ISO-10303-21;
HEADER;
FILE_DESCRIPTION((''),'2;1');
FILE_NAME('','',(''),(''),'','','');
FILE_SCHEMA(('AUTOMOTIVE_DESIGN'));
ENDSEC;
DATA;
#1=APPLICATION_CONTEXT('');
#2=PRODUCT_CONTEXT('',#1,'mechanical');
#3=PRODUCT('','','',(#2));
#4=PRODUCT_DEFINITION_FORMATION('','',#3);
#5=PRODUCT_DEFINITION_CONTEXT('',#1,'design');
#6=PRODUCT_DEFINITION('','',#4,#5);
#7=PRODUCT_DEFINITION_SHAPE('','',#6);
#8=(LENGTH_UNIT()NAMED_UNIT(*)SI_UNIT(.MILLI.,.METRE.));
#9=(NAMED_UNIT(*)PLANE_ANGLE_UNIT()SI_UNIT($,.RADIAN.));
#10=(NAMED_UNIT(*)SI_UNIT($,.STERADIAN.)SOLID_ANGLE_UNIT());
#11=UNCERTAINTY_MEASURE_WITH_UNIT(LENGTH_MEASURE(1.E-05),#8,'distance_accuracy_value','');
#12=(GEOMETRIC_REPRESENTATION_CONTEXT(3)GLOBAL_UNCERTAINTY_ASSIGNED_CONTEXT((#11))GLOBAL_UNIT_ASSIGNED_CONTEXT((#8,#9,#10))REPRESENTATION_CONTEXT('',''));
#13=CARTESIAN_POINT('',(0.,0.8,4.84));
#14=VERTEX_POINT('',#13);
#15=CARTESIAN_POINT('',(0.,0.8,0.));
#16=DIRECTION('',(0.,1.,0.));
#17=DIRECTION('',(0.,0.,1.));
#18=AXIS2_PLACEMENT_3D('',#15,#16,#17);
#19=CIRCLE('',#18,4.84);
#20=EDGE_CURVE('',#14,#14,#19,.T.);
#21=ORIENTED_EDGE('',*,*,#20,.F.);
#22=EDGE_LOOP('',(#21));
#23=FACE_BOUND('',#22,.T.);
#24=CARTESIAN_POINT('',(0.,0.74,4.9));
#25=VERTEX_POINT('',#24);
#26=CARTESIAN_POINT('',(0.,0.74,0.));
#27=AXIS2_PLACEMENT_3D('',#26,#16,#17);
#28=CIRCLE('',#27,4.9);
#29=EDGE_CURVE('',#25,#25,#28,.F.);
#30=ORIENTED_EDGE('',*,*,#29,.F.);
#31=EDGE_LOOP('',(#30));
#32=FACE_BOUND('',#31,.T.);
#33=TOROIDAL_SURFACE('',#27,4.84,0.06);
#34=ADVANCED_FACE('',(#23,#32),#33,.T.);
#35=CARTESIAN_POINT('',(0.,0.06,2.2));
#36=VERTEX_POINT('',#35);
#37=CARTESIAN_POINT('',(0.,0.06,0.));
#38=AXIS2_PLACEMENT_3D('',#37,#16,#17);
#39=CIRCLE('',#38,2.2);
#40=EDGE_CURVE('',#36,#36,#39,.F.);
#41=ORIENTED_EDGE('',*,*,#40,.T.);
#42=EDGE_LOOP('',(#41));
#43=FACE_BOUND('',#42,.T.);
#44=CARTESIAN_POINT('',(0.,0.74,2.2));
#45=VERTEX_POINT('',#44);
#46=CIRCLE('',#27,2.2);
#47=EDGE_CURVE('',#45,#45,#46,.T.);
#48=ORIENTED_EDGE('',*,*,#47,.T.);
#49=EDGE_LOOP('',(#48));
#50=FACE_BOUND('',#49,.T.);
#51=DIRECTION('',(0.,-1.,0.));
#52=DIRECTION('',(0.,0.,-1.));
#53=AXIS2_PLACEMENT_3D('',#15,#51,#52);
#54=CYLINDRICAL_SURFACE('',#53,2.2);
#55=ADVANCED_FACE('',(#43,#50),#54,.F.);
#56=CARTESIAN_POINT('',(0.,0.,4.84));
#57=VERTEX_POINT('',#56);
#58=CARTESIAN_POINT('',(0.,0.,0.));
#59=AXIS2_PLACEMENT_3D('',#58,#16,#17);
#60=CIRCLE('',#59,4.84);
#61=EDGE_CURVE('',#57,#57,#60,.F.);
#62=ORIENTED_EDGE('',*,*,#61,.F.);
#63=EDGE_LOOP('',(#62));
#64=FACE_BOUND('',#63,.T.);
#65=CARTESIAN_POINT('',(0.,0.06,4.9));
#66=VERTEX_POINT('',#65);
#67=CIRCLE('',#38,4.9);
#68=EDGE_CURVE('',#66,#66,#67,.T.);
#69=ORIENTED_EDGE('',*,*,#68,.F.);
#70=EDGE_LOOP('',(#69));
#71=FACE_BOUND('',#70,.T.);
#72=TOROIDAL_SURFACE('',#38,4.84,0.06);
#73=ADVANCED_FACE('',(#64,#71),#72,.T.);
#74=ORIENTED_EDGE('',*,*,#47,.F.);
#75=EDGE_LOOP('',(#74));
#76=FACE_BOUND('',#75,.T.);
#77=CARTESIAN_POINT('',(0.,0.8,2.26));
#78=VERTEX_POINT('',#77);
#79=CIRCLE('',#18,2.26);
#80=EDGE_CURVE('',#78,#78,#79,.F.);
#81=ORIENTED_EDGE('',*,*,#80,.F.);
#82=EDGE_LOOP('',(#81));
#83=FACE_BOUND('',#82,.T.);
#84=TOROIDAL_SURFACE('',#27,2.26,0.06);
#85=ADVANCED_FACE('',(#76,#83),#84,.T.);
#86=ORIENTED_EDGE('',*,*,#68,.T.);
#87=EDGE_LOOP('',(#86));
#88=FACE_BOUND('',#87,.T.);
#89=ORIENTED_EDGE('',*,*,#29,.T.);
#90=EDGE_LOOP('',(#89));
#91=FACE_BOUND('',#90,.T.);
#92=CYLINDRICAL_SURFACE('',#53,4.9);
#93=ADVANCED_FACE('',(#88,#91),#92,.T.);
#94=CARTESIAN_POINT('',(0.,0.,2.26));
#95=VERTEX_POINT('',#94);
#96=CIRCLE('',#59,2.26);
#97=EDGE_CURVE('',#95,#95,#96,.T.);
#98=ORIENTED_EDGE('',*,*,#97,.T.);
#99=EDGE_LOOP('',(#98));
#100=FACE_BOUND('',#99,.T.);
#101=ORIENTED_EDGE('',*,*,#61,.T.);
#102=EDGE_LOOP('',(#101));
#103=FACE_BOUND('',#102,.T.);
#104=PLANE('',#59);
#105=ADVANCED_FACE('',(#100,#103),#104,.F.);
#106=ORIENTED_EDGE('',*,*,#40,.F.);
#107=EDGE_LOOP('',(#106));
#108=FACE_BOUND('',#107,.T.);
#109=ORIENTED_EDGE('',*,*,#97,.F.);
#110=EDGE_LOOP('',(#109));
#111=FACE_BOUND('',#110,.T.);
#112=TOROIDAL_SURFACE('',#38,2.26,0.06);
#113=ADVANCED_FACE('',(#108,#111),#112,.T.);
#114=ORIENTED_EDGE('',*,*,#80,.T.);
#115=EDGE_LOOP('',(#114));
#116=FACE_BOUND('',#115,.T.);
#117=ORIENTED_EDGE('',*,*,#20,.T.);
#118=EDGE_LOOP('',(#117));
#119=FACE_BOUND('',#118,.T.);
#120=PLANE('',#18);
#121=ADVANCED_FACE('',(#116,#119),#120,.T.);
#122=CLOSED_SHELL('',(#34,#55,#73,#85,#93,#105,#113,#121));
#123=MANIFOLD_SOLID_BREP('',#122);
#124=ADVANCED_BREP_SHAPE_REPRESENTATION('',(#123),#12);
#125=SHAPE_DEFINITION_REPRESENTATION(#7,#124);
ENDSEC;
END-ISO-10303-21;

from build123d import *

# Parameters (mm, degrees)
SKETCH1_R           = 4.9
SKETCH1_R_2         = 2.2
BOSS_EXTRUDE1_DEPTH = 0.8
FILLET1_R           = 0.06


with BuildPart() as part:
    # Sketch1 → Boss-Extrude1 (new body)
    with BuildSketch(Plane(origin=(0, 0, 0), x_dir=(1, 0, 0), z_dir=(0, 1, 0))):
        Circle(SKETCH1_R)
        Circle(SKETCH1_R_2, mode=Mode.SUBTRACT)
    extrude(amount=BOSS_EXTRUDE1_DEPTH)

    # Fillet1
    fillet1_edges = [part.edges().sort_by_distance(p)[0] for p in [
        (-4.9, 0, 0),
        (-4.9, 0.8, 0),
        (-2.2, 0, 0),
        (-2.2, 0.8, 0),
    ]]
    fillet(fillet1_edges, radius=FILLET1_R)


solid = part.part
